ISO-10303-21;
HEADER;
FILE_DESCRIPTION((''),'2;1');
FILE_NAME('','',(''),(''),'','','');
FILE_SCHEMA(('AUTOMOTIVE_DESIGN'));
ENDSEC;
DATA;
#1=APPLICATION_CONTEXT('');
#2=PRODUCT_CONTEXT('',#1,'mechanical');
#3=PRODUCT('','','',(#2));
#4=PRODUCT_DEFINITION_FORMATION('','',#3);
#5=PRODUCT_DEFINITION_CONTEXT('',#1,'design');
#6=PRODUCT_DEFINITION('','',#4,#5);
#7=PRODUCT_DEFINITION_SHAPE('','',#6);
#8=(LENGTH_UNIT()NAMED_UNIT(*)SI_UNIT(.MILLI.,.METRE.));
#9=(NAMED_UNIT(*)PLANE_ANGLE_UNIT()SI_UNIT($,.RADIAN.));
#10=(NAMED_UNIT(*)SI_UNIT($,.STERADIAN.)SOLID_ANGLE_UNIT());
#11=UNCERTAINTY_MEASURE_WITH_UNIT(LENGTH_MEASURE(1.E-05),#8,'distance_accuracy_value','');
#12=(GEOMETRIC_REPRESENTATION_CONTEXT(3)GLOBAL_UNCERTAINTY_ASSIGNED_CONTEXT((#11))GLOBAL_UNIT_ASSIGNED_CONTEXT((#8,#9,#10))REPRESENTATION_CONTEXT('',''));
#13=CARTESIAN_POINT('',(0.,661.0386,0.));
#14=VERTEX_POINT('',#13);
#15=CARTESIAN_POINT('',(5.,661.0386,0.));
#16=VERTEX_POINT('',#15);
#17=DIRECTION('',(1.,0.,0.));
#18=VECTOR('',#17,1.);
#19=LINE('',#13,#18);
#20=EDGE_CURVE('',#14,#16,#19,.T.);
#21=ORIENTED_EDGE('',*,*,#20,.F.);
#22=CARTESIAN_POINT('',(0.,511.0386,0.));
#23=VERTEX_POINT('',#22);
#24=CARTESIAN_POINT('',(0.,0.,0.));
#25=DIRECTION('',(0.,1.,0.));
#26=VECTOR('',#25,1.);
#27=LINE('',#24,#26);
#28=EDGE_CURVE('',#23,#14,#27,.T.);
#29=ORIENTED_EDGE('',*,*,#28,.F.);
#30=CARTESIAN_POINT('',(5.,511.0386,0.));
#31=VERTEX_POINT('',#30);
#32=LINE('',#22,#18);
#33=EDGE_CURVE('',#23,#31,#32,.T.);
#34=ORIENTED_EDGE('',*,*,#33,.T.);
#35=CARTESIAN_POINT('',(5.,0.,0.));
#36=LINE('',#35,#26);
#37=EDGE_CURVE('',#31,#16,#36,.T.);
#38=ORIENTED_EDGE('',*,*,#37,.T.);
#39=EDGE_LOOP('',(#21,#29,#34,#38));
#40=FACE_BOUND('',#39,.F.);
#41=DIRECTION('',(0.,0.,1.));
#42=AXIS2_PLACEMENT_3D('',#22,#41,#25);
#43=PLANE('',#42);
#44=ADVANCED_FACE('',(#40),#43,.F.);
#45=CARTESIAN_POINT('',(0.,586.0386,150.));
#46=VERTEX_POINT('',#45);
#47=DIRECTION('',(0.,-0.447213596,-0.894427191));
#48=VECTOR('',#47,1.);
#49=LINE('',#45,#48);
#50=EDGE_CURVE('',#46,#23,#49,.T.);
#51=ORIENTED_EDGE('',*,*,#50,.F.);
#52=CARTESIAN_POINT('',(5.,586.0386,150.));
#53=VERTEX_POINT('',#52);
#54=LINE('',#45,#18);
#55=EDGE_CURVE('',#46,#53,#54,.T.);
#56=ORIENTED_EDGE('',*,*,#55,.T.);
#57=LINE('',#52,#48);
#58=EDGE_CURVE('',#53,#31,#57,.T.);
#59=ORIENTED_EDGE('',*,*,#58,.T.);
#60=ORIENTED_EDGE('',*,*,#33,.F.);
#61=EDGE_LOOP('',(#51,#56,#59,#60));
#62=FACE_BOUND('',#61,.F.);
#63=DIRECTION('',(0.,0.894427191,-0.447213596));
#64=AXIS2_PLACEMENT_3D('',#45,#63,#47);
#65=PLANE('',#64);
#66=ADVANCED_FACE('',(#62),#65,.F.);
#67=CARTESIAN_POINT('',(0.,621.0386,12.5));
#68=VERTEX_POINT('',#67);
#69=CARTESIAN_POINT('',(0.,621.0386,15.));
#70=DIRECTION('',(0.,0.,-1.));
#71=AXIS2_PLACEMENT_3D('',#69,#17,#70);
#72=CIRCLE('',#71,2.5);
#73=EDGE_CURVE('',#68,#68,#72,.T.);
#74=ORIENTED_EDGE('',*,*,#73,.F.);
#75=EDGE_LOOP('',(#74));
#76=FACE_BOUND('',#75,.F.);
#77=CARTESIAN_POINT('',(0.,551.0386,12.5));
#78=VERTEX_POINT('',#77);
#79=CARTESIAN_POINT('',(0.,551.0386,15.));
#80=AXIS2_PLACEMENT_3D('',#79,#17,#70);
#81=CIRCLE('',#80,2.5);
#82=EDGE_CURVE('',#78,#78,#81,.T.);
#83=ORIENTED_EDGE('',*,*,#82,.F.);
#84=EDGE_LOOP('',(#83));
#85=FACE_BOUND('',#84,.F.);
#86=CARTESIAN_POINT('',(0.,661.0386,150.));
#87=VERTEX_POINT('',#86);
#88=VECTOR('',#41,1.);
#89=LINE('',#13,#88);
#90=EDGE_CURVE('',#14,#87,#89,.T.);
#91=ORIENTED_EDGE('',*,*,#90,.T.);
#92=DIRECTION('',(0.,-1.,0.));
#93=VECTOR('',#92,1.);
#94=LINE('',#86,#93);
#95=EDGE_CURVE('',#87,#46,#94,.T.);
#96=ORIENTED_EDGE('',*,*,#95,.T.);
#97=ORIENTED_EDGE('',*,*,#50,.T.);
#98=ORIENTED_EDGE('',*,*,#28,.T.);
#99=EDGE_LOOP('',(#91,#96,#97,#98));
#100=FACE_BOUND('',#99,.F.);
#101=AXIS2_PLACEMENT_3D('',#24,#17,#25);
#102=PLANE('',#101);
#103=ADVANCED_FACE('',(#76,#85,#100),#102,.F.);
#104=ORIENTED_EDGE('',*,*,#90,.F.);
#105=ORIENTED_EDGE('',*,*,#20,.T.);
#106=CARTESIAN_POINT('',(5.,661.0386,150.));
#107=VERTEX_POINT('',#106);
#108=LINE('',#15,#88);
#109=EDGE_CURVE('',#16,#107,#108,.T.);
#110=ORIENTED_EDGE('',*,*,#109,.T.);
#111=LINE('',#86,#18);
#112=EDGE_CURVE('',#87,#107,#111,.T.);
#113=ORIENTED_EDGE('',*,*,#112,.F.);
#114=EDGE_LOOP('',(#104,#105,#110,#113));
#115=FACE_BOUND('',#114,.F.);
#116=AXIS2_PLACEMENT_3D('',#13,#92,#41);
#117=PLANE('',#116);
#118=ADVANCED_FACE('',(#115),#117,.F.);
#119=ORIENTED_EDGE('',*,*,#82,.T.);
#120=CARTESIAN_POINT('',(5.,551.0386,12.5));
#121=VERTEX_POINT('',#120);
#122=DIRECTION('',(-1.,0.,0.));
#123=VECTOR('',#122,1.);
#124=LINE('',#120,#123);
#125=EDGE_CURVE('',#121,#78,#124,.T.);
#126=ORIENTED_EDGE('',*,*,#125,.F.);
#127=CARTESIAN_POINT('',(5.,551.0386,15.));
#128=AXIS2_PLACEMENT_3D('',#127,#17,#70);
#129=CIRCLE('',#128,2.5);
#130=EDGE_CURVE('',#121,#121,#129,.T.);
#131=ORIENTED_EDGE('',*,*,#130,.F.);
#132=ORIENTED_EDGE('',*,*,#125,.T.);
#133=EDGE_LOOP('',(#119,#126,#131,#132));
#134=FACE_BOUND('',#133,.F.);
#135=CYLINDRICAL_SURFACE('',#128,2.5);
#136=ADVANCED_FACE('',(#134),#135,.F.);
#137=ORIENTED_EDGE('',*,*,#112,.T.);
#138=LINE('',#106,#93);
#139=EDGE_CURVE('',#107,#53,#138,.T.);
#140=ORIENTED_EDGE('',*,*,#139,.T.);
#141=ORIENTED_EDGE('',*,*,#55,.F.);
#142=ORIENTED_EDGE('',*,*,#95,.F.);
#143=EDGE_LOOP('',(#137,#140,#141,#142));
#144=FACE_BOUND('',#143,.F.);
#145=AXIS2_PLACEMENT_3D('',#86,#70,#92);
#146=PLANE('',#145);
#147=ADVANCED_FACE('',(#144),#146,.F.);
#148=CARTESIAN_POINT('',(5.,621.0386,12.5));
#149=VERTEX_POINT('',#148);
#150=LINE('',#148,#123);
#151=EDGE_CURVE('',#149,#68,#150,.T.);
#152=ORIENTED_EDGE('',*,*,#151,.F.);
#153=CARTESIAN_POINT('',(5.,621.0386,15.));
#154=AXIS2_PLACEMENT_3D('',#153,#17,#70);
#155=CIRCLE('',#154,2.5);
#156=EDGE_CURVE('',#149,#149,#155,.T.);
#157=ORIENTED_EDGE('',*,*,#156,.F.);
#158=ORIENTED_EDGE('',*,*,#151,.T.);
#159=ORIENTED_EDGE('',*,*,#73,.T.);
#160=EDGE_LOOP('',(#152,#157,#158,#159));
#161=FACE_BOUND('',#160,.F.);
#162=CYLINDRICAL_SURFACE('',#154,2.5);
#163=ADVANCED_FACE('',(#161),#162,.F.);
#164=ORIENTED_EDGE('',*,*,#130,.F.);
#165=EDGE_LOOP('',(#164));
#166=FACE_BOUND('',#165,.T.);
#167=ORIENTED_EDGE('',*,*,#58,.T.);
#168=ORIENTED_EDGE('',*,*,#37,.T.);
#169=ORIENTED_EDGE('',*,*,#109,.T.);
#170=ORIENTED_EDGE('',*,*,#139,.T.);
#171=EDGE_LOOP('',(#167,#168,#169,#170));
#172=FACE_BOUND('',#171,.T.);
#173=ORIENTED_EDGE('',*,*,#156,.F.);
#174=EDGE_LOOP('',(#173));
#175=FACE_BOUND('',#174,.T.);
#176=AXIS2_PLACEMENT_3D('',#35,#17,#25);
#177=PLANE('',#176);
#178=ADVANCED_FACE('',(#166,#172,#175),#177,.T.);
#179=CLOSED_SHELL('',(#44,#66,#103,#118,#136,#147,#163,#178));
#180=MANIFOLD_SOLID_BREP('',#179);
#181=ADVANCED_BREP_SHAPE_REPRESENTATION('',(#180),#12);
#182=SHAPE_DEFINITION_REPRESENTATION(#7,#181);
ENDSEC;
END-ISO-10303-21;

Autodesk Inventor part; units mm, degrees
ref_plane "YZ Plane" through (0, 0, 0) normal (1, 0, 0) x (0, 1, 0)
ref_plane "XZ Plane" through (0, 0, 0) normal (0, 1, 0) x (-1, 0, 0)
ref_plane "XY Plane" through (0, 0, 0) normal (0, 0, 1) x (1, 0, 0)
sketch "Sketch1" plane through (0, 0, 0) normal (1, 0, 0) x (0, 1, 0)
  line L0 (0, 0) -> (661.0386, 0)
  line L1 (661.0386, 0) -> (661.0386, 150)
  line L2 (661.0386, 0) -> (511.0386, 0)
  line L3 (661.0386, 150) -> (586.0386, 150)
  line L4 (586.0386, 150) -> (511.0386, 0)
  point P0 (0, 0)
  dimension "d0" = 150
  dimension "d1" = 150
  dimension "d2" = 75
extrude "Plate1" add sketch "Sketch1" along normal blind 5
sketch "Sketch2" plane through (5, 0, 0) normal (1, 0, 0) x (0, 0, -1)
  line L0 (-150, 661.0386) -> (0, 661.0386) projected
  line L1 (0, 661.0386) -> (0, 511.0386) projected
  circle A0 centre (-15, 621.0386) radius 2.5
  line L2 (0, 511.0386) -> (0, 661.0386) projected
  line L3 (0, 586.0386) -> (-15, 586.0386)
  circle A1 centre (-15, 551.0386) radius 2.5
  point P0 (0, 0)
  dimension "d4" = 40
  dimension "d5" = 15
  dimension "d6" = 5
extrude "Extrusion1" cut sketch "Sketch2" along normal mid plane 10
equation "\"d3\" = Thickness"
equation "\"BendRadius\" = Thickness"
equation "\"BendReliefWidth\" = Thickness"
equation "\"BendReliefDepth\" = 0.5 * Thickness"
equation "\"TransitionRadius\" = BendRadius"
equation "\"JacobiRadiusSize\" = BendRadius"
equation "\"GapSize\" = Thickness"
equation "\"Thickness\" = 5"
properties part number "rudder"
